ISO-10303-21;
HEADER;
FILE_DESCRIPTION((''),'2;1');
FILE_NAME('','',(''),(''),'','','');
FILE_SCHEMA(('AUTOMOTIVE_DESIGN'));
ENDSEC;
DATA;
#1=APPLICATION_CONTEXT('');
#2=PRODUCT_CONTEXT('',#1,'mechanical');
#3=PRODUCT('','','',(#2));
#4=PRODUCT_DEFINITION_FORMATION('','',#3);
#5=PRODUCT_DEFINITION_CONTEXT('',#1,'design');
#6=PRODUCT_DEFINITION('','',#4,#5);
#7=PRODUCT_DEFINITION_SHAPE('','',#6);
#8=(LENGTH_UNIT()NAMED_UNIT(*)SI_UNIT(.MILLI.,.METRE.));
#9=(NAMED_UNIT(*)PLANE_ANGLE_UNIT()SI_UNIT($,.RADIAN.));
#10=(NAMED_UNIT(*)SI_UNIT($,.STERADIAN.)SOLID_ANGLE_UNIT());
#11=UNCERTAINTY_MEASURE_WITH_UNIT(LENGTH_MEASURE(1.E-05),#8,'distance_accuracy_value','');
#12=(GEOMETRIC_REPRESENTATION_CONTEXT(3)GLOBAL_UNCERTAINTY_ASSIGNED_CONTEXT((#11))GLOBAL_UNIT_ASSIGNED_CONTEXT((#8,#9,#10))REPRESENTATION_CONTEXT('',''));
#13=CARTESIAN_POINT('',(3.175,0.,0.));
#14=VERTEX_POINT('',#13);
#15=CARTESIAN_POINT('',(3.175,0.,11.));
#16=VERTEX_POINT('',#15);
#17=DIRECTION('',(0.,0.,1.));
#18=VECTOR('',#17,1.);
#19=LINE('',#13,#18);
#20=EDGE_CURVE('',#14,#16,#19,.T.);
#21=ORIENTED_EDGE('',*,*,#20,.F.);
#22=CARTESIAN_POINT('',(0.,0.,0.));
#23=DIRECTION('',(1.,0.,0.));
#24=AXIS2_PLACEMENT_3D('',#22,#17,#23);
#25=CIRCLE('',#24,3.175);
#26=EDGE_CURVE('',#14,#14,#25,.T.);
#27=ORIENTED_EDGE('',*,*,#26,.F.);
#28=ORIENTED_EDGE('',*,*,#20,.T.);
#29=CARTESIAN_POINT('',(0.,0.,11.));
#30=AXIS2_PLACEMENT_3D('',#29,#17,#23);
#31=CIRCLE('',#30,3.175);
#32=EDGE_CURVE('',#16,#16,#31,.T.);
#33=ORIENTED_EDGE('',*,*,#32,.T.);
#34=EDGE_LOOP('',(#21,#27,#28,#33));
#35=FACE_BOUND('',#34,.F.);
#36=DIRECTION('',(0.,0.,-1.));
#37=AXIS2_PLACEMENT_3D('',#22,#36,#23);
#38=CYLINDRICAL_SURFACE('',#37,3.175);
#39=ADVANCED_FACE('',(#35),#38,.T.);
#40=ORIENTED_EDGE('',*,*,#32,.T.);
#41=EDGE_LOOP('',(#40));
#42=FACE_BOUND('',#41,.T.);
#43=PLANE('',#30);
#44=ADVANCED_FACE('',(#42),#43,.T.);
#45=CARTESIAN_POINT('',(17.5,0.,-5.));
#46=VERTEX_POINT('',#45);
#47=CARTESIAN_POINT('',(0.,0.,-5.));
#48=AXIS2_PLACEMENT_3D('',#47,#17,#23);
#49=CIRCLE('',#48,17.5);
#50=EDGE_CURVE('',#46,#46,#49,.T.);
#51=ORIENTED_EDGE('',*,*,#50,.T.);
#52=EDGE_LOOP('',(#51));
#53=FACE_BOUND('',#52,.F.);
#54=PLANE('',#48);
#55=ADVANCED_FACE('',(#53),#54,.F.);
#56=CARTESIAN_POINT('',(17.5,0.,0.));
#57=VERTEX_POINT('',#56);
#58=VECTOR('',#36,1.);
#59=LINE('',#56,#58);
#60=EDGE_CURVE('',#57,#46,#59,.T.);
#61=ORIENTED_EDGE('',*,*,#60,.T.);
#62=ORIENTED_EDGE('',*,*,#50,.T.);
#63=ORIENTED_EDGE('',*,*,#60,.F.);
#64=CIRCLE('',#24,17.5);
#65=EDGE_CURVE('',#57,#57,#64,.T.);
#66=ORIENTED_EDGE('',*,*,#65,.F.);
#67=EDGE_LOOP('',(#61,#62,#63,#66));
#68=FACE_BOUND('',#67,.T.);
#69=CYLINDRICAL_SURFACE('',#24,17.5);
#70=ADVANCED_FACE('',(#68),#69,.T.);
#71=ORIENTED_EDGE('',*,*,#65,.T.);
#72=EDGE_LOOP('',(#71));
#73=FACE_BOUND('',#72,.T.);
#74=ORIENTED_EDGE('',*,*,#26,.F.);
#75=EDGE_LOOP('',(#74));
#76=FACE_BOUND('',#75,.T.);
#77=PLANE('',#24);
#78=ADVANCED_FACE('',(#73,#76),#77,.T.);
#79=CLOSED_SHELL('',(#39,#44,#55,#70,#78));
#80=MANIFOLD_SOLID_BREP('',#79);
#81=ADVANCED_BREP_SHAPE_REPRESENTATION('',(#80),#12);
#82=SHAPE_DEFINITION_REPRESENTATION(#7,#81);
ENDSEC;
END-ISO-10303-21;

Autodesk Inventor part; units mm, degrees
ref_plane "YZ Plane" through (0, 0, 0) normal (1, 0, 0) x (0, 1, 0)
ref_plane "XZ Plane" through (0, 0, 0) normal (0, 1, 0) x (-1, 0, 0)
ref_plane "XY Plane" through (0, 0, 0) normal (0, 0, 1) x (1, 0, 0)
sketch "スケッチ2" plane through (0, 0, 0) normal (0, 0, 1) x (1, 0, 0)
  circle A0 centre (0, 0) radius 17.5
  dimension "d0" = 35
extrude "押し出し1" add sketch "スケッチ2" against normal blind 5
sketch "スケッチ3" plane through (0, 0, 0) normal (0, 0, 1) x (1, 0, 0)
  point P0 (0, 0)
sketch "スケッチ4" plane through (0, 0, 0) normal (0, 0, 1) x (1, 0, 0)
  circle A0 centre (0, 0) radius 3.175
  dimension "d3" = 6.35
extrude "押し出し2" add sketch "スケッチ4" along normal blind 11
properties part number "E-6598" material "アセタール樹脂、黒"
